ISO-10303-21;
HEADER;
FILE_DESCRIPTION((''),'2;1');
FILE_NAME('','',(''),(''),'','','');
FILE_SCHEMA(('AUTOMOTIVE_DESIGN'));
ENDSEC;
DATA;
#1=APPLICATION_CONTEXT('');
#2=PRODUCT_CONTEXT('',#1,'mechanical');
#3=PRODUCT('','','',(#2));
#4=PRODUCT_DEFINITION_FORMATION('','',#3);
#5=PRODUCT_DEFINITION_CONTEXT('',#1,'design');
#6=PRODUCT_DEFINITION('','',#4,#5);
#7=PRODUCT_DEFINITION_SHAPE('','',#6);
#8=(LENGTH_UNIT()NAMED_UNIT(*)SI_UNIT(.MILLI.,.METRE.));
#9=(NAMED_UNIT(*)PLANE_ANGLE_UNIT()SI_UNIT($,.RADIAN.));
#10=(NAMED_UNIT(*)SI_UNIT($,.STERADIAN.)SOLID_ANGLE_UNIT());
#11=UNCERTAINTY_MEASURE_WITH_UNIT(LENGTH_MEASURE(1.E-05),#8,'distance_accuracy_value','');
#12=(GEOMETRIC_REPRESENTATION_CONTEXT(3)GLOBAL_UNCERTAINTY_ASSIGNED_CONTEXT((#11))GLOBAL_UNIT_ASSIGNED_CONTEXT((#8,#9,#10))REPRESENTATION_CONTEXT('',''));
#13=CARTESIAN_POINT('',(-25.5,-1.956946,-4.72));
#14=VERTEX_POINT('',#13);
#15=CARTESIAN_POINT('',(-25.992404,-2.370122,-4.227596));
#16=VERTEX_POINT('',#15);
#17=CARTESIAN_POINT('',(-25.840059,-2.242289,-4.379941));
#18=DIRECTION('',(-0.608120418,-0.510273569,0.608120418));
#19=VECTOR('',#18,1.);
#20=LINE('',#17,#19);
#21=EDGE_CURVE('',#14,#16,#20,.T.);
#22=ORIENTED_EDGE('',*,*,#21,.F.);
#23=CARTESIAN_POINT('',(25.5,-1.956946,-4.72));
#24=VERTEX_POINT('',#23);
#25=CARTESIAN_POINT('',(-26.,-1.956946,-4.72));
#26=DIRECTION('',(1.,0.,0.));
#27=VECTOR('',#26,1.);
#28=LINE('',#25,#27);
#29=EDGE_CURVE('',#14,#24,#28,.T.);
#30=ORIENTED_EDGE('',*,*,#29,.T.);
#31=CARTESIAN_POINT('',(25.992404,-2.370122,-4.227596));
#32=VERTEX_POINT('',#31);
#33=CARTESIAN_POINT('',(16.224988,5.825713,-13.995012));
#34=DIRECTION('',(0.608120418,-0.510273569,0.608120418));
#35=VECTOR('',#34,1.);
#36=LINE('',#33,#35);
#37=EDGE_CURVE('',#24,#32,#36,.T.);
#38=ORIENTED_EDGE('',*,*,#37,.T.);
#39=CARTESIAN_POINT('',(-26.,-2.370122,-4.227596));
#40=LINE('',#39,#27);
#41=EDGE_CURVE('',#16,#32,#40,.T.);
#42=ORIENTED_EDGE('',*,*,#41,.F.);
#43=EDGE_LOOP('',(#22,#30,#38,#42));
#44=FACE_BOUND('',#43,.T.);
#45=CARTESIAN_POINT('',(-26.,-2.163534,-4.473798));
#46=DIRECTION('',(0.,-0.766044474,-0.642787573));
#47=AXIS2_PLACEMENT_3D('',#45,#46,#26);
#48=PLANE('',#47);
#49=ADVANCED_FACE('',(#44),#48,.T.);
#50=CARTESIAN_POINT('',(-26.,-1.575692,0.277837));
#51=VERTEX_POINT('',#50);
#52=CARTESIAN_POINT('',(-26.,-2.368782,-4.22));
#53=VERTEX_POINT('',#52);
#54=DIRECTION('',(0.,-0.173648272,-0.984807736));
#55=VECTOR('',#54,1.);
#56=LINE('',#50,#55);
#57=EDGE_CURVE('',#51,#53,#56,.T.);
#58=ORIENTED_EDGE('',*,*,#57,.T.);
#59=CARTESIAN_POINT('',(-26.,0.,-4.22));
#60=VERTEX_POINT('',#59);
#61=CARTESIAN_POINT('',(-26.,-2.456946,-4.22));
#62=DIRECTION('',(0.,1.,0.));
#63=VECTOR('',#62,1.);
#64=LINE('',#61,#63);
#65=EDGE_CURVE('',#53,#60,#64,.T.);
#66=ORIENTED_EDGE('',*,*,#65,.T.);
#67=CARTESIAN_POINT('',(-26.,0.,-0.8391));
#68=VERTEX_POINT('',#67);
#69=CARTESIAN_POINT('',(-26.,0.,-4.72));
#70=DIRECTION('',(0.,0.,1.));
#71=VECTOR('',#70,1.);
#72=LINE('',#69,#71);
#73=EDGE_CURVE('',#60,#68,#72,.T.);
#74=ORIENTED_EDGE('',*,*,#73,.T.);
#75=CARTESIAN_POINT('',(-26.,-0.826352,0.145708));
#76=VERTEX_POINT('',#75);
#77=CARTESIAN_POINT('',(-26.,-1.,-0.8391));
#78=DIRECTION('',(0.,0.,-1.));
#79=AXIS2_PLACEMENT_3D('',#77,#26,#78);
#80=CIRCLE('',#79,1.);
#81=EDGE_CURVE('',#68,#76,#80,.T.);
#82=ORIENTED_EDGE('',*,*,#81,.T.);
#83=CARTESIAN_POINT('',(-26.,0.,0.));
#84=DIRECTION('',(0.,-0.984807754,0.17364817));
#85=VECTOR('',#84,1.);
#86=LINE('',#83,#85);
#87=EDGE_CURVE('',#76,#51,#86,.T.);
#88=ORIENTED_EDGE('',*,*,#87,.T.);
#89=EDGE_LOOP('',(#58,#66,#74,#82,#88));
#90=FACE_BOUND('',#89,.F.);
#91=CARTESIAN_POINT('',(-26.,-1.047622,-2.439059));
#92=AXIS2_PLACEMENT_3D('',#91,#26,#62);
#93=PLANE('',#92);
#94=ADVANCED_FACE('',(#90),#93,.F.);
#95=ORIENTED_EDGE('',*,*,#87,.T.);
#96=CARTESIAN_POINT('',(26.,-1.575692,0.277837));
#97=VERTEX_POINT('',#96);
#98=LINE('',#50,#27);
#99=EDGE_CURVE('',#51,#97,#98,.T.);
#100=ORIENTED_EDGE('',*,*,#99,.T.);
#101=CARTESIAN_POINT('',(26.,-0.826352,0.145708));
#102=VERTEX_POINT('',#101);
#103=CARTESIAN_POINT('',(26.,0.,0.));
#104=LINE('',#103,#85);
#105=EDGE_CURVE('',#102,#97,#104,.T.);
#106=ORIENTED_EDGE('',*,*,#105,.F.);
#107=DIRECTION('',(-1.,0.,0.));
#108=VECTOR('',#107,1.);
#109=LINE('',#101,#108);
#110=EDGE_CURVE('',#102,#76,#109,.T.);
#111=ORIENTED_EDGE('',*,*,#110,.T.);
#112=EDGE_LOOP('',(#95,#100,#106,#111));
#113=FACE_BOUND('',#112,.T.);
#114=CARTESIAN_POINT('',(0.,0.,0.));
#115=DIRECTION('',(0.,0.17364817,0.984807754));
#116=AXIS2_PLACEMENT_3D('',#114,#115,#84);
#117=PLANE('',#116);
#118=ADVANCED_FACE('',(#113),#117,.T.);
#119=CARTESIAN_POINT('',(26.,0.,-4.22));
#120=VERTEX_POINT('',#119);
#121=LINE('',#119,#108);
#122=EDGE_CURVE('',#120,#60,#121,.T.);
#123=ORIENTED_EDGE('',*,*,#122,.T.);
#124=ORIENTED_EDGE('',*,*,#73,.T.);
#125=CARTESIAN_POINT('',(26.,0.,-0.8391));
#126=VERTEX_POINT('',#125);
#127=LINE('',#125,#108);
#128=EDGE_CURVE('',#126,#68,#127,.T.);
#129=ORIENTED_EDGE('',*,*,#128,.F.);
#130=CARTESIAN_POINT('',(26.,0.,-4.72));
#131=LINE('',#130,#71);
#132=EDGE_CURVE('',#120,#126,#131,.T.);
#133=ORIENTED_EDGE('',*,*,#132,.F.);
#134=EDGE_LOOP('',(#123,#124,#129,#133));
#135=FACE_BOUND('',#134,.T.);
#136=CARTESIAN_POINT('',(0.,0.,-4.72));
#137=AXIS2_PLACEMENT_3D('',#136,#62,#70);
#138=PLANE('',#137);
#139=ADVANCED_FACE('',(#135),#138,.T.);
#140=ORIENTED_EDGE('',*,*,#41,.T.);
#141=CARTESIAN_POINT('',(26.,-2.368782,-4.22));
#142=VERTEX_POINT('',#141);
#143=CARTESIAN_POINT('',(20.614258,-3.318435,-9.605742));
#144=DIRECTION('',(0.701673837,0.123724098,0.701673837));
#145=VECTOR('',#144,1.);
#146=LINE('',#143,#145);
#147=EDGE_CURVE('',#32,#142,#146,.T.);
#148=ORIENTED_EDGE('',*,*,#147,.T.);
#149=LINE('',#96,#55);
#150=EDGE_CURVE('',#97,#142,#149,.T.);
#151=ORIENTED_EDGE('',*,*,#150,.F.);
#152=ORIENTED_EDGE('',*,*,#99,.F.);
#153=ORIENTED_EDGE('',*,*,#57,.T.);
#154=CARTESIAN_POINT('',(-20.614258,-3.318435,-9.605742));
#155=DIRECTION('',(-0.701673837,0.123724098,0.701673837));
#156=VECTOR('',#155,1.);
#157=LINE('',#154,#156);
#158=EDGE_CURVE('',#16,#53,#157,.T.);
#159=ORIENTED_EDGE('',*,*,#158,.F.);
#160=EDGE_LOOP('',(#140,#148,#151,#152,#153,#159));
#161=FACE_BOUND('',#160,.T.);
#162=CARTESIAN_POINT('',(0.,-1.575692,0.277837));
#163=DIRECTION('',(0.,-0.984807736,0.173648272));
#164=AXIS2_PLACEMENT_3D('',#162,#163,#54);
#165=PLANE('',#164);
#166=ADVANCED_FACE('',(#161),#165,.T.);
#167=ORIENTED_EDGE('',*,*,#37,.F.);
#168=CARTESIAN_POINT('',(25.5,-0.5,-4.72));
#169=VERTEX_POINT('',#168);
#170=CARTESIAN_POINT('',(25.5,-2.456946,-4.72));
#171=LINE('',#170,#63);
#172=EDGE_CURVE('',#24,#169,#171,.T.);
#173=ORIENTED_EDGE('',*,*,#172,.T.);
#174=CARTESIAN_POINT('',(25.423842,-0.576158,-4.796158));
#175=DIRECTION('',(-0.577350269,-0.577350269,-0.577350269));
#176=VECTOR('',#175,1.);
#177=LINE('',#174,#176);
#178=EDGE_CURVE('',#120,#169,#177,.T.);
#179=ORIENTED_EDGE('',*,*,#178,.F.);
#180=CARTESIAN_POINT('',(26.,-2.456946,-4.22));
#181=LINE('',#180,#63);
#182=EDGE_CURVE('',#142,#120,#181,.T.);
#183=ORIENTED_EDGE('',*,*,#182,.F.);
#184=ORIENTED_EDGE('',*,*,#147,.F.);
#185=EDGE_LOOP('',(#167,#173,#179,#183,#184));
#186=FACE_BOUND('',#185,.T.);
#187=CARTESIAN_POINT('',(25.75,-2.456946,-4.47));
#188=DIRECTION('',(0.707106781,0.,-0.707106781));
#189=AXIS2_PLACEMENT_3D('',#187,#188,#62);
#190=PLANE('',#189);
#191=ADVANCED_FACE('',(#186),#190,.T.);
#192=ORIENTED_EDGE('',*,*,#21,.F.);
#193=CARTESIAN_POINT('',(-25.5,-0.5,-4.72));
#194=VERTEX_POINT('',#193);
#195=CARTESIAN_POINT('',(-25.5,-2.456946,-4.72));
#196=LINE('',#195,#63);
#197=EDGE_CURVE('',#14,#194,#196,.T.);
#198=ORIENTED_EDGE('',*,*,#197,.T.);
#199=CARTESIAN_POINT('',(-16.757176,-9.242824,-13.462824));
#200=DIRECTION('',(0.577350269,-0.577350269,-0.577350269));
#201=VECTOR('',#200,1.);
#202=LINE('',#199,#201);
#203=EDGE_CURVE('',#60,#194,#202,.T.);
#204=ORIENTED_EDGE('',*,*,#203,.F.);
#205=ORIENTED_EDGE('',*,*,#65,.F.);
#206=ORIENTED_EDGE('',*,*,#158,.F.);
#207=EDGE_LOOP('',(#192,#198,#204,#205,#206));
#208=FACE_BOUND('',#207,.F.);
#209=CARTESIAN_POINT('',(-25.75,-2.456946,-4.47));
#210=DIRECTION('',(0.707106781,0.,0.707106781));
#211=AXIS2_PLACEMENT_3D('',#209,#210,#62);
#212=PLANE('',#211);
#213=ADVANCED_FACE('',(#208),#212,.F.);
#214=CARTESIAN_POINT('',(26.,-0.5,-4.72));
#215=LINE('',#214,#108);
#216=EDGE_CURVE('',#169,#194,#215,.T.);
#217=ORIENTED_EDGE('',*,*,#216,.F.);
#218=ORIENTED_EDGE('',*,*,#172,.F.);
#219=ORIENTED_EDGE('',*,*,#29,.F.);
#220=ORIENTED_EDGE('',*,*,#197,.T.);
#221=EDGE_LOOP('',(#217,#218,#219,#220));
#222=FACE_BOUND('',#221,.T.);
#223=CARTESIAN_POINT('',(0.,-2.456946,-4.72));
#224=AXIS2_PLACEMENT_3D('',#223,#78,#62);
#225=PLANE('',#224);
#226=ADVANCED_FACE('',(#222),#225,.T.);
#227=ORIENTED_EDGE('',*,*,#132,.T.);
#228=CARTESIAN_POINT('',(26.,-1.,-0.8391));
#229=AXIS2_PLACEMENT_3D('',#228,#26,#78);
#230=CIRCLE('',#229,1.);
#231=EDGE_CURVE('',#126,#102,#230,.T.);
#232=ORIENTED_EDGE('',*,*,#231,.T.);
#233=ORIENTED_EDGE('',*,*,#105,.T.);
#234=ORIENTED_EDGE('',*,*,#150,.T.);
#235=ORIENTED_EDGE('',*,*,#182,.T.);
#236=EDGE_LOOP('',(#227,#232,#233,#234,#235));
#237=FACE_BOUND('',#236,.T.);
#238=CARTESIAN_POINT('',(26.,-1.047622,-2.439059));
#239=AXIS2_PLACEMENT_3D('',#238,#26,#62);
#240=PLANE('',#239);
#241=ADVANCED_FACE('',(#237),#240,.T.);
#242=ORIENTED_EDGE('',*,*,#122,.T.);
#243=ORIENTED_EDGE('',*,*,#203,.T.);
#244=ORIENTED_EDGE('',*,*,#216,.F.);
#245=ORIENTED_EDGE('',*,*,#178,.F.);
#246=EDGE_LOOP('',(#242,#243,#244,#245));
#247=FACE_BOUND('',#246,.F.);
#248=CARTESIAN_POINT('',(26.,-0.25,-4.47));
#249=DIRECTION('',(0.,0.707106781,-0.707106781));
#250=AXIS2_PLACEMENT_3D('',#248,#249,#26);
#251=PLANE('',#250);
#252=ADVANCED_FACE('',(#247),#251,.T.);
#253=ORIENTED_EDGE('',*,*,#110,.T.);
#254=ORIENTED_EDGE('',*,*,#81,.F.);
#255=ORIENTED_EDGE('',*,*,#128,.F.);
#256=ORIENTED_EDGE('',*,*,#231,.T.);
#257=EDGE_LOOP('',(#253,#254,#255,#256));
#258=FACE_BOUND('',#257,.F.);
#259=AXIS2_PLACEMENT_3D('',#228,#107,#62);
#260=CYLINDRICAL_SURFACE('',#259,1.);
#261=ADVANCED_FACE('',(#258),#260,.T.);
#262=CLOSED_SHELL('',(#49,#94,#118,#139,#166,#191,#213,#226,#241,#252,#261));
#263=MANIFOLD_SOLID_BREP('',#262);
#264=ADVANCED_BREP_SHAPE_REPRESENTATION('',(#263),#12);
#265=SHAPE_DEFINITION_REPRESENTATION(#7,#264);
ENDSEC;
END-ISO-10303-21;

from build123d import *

# Parameters (mm, degrees)
PAD001_DEPTH    = 26
CHAMFER002_SIZE = 0.5
FILLET001_R     = 1


with BuildPart() as part:
    # Sketch002 → Pad001 (new body, symmetric)
    with BuildSketch(Plane.YZ):
        Polygon((0, 0), (-1.575692, 0.277837), (-2.456946, -4.72), (0, -4.72), align=None)
    extrude(amount=PAD001_DEPTH, both=True)

    # Chamfer002
    chamfer002_edges = [part.edges().sort_by_distance(p)[0] for p in [
        (0, -2.456946, -4.72),
        (0, 0, -4.72),
        (-26, -1.228473, -4.72),
        (26, -1.228473, -4.72),
    ]]
    chamfer(chamfer002_edges, length=CHAMFER002_SIZE)

    # Fillet001
    fillet001_edges = [part.edges().sort_by_distance(p)[0] for p in [
        (0, 0, 0),
    ]]
    fillet(fillet001_edges, radius=FILLET001_R)


solid = part.part
